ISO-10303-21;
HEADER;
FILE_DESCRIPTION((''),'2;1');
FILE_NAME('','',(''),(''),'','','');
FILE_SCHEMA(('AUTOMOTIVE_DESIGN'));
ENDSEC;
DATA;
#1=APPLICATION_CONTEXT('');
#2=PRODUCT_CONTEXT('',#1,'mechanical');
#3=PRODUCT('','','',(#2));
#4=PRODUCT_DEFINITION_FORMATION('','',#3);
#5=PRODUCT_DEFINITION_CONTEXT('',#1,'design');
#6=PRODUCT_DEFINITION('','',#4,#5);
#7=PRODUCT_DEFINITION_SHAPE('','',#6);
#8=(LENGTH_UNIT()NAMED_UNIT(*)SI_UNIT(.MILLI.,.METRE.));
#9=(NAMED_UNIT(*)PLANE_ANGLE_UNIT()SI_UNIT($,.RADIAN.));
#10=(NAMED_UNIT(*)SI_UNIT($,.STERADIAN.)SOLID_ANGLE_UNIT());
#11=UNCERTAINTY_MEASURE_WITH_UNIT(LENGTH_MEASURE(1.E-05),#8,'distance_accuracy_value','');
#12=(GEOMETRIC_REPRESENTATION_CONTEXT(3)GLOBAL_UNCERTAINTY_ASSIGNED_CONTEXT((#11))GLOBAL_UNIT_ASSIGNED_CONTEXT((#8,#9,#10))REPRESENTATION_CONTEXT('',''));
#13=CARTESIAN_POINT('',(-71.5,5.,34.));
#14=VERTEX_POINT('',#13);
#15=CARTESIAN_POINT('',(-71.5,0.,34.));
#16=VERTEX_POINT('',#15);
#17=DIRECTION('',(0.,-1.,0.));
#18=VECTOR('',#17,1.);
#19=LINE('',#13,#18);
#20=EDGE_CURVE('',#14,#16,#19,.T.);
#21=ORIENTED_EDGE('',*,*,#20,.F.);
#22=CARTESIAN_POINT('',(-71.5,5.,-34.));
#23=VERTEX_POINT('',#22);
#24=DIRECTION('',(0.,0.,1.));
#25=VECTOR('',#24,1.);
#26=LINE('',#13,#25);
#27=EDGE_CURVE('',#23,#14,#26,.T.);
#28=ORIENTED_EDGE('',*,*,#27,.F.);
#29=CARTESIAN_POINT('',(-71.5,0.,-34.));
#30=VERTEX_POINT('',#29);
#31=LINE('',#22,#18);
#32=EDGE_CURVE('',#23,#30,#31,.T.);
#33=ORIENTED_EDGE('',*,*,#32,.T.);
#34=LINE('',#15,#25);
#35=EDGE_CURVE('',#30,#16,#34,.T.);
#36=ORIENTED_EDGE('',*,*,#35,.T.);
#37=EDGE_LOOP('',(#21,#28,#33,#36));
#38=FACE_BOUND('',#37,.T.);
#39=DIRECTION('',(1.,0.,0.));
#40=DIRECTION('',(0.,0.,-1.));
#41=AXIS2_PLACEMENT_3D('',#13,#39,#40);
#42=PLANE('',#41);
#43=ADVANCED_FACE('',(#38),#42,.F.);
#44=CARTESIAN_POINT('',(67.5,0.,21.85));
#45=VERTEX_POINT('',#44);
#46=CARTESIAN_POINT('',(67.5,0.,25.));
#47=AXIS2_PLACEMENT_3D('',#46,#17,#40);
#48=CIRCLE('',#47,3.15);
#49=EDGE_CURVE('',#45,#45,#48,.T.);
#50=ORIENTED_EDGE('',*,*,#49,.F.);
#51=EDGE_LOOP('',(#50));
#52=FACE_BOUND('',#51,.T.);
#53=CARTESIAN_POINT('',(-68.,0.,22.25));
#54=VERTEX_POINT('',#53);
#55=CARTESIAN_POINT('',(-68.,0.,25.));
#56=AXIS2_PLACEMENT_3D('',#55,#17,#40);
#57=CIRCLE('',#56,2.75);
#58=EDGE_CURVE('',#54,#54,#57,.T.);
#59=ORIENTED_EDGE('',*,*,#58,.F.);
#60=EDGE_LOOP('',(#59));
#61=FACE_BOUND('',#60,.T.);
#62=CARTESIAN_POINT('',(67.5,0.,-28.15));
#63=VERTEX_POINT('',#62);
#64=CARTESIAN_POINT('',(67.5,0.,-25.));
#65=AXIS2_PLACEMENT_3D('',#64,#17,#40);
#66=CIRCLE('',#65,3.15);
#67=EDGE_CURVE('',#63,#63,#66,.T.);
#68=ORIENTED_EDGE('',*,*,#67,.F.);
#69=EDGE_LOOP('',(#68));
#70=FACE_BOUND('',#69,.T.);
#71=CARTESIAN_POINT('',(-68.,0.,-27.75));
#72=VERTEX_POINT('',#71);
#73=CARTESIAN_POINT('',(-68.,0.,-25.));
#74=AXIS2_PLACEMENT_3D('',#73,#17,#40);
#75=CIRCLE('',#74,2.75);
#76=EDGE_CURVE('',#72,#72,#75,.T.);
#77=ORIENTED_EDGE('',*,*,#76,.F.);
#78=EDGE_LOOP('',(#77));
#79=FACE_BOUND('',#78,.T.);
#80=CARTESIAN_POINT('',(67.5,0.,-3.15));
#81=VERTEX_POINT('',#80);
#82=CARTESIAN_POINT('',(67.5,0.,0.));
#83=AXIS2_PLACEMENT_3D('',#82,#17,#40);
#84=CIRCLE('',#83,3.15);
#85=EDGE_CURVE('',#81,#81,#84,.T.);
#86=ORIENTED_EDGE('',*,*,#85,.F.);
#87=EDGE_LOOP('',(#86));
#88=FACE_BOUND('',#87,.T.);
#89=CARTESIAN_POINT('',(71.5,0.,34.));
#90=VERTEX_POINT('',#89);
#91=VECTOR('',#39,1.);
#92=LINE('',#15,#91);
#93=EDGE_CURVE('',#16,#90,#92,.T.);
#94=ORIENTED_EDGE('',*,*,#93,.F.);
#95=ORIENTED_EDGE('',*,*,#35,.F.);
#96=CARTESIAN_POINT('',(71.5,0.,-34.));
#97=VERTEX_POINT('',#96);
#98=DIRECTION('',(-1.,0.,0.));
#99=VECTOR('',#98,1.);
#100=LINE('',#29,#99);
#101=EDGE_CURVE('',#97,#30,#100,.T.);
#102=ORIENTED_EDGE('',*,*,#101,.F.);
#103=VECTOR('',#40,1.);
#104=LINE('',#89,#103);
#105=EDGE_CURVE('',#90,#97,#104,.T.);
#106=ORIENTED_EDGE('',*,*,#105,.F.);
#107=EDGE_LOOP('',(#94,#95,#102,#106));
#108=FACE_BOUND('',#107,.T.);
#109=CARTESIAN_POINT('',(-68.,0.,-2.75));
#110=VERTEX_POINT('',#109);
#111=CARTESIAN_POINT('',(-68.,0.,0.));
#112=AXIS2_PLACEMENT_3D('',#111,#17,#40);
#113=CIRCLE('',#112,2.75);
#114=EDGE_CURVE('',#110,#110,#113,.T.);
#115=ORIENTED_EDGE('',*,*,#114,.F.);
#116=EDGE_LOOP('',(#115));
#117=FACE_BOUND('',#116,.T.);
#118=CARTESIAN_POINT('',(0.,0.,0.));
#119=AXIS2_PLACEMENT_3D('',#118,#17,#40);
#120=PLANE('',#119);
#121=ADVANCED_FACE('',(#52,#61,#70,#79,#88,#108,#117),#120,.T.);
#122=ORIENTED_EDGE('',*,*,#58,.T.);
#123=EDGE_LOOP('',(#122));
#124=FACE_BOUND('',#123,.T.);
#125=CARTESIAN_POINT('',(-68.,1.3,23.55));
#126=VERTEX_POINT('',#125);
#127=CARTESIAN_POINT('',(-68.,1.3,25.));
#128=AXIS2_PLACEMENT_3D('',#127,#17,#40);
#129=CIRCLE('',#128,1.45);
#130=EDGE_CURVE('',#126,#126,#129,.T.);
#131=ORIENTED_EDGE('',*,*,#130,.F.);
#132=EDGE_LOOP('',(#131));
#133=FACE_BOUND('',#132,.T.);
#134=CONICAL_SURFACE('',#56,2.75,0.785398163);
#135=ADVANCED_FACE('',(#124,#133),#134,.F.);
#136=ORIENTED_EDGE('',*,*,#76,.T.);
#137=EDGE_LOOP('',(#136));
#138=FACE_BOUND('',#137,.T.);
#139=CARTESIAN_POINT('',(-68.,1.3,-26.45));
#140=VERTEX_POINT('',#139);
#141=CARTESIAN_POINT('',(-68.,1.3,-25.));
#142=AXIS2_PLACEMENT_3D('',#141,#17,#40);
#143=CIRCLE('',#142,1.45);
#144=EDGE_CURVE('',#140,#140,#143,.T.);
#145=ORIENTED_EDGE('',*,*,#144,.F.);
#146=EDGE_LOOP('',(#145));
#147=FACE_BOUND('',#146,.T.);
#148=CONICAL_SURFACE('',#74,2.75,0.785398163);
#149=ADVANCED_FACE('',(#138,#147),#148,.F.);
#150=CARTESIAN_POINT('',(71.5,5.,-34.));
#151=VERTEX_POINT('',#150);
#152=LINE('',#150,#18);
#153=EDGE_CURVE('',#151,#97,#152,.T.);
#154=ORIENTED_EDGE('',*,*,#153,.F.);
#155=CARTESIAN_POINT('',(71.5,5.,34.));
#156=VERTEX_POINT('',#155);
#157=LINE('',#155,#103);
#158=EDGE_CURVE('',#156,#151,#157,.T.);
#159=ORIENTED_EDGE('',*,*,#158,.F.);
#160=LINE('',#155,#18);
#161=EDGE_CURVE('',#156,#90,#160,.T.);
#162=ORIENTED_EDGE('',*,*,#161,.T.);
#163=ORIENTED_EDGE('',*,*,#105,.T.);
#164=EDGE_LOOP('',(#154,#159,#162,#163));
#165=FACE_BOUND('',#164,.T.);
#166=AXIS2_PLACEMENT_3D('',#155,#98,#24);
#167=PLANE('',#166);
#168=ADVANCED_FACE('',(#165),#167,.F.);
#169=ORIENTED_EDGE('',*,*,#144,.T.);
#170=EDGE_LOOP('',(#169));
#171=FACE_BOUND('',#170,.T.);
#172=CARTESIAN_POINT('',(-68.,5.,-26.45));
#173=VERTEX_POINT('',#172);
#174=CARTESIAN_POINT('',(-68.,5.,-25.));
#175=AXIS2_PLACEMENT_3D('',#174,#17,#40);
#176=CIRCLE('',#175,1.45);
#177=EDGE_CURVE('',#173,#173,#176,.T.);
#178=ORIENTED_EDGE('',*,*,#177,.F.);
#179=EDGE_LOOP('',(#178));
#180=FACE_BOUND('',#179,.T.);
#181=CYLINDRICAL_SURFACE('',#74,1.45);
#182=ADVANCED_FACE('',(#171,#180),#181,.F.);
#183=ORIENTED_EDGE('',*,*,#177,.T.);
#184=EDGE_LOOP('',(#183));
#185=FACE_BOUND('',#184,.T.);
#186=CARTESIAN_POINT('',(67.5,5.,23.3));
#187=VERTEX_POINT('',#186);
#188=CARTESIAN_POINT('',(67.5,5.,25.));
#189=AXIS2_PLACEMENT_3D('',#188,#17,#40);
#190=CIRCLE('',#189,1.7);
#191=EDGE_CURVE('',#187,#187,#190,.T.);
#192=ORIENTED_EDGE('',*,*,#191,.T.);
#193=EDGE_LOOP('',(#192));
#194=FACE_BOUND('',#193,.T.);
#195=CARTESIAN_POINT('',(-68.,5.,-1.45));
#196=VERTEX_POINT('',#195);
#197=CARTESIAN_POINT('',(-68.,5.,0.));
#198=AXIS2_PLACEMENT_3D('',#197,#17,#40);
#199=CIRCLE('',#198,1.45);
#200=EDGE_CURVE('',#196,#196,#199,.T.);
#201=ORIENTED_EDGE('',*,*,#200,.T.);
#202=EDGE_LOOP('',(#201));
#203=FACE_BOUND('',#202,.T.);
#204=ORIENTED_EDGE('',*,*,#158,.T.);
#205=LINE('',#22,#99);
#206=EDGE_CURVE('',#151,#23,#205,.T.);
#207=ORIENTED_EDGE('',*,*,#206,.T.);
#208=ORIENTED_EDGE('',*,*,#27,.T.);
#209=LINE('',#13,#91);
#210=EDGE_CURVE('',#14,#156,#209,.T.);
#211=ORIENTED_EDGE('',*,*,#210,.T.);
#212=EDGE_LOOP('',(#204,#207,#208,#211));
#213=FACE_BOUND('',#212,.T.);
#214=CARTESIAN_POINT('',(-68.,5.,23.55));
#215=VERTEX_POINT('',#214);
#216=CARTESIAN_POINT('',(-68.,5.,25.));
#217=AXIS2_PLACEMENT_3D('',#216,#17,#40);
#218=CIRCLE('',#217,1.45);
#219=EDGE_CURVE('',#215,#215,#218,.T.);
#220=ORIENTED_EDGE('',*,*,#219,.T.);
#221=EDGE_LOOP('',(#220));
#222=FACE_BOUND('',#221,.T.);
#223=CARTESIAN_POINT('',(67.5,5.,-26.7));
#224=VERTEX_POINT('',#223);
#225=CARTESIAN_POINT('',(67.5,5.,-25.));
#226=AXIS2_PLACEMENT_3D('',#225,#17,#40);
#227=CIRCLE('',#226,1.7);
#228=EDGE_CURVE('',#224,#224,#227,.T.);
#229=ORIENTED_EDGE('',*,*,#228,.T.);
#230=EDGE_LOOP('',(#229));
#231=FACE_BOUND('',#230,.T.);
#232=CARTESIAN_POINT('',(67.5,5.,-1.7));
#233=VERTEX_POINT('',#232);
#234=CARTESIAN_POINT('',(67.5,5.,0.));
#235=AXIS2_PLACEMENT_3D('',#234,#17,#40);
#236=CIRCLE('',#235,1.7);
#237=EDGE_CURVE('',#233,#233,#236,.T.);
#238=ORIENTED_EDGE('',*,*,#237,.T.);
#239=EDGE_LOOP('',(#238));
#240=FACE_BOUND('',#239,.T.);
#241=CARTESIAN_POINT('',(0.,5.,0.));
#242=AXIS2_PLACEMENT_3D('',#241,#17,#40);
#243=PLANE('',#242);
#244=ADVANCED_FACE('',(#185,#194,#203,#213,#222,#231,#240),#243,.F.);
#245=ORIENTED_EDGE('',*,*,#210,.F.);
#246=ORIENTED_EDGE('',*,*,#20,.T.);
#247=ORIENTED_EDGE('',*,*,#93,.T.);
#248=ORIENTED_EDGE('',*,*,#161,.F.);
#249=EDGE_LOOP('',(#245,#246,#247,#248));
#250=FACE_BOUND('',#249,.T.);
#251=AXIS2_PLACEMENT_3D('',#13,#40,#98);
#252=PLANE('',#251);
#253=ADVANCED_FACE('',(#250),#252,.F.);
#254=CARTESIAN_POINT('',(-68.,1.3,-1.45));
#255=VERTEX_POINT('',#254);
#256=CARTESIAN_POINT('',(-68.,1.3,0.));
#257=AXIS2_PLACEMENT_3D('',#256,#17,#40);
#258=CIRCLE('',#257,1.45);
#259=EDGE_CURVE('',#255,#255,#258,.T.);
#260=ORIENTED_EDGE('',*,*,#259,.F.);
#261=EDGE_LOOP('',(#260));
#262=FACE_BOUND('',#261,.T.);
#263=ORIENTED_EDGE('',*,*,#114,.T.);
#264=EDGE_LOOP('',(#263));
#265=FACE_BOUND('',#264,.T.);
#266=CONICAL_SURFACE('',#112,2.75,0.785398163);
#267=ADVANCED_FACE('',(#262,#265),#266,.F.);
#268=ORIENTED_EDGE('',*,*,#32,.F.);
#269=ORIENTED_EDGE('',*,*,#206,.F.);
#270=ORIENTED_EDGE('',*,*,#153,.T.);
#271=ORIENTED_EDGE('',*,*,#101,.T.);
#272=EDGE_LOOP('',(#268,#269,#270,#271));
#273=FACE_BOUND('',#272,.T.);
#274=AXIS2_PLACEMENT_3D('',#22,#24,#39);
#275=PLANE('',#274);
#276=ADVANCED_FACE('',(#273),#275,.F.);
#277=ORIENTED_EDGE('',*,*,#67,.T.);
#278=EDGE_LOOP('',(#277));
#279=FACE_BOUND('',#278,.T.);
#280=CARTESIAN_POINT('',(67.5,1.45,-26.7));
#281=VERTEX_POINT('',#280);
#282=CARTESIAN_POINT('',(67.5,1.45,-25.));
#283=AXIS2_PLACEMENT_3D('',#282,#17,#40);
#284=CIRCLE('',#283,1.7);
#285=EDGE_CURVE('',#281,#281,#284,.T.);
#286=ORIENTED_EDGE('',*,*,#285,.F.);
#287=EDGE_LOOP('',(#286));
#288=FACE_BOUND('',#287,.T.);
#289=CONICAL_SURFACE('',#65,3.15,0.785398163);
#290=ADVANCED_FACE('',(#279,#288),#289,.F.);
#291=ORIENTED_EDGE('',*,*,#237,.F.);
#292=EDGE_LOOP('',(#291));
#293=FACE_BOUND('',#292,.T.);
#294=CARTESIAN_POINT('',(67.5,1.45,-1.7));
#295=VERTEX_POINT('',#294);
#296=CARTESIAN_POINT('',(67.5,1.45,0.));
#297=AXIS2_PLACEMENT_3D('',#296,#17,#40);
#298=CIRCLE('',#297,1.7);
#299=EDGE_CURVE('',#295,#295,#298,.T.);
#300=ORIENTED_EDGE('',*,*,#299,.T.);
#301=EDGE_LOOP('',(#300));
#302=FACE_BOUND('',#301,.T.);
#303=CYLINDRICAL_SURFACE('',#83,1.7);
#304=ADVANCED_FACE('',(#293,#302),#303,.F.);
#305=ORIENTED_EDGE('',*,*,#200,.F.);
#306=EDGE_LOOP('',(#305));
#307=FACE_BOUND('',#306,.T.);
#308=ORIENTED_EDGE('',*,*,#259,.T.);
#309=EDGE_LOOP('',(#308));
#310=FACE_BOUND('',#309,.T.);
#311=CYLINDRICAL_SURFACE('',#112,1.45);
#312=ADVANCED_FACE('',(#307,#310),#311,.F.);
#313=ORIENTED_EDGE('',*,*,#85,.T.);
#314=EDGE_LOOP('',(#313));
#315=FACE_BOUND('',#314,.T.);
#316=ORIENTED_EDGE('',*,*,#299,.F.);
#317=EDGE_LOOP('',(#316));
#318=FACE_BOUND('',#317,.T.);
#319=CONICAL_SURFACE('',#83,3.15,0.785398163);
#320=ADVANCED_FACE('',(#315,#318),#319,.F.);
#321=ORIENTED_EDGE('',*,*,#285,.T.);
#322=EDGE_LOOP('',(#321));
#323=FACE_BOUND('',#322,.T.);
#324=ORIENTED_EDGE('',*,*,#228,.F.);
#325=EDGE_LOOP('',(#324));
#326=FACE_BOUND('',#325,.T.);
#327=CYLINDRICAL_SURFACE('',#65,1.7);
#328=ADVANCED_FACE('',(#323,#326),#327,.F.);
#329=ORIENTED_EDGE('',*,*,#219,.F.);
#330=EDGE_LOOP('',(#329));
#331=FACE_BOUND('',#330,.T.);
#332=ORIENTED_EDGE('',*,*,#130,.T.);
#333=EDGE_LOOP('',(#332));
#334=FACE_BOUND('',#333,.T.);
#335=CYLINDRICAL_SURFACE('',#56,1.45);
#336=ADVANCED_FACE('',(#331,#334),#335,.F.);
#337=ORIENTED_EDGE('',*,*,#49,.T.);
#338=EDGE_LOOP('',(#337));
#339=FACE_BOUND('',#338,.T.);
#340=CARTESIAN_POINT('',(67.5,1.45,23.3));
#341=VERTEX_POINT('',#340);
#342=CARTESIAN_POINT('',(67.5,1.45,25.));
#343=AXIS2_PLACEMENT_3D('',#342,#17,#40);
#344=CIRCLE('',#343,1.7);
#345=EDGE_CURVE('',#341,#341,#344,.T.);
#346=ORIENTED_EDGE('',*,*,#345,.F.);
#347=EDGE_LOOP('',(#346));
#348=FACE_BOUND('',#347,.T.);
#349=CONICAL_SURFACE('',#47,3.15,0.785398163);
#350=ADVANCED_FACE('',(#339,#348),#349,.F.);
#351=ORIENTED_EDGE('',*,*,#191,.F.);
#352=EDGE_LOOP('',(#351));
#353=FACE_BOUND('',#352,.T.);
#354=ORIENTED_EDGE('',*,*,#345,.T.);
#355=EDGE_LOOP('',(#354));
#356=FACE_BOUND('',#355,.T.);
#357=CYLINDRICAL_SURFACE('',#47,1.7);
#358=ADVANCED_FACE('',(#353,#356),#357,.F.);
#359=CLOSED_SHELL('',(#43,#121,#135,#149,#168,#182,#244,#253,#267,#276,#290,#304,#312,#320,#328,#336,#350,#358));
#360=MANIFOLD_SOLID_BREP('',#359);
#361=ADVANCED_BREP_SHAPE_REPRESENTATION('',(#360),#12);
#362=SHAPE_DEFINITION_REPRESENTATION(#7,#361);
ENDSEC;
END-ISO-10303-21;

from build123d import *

# Parameters (mm, degrees)
SKETCH_1_W                     = 143
SKETCH_1_H                     = 68
EXTRUDE_1_DEPTH                = 5
HOLE_WIZARD_M2_5_1_D           = 2.9
HOLE_WIZARD_M2_5_1_CSINK_D     = 5.5
HOLE_WIZARD_M2_5_1_CSINK_ANGLE = 90
HOLE_WIZARD_M3_1_D             = 3.4
HOLE_WIZARD_M3_1_CSINK_D       = 6.3
HOLE_WIZARD_M3_1_CSINK_ANGLE   = 90


with BuildPart() as part:
    # 草圖1 → 填料-伸長1 (new body)
    with BuildSketch(Plane(origin=(0, 0, 0), x_dir=(1, 0, 0), z_dir=(0, 1, 0))):
        Rectangle(SKETCH_1_W, SKETCH_1_H)
    extrude(amount=EXTRUDE_1_DEPTH)

    # M2.5 錐坑平頭螺釘的錐孔1 (through all)
    with Locations(Plane(origin=(0, 0, 0), x_dir=(-1, 0, 0), z_dir=(0, -1, 0))):
        with Locations((68, 25), (68, 0), (68, -25)):
            CounterSinkHole(HOLE_WIZARD_M2_5_1_D / 2, HOLE_WIZARD_M2_5_1_CSINK_D / 2, counter_sink_angle=HOLE_WIZARD_M2_5_1_CSINK_ANGLE)

    # M3 錐坑平頭螺釘的錐孔1 (through all)
    with Locations(Plane(origin=(0, 0, 0), x_dir=(-1, 0, 0), z_dir=(0, -1, 0))):
        with Locations((-67.5, 25), (-67.5, 0), (-67.5, -25)):
            CounterSinkHole(HOLE_WIZARD_M3_1_D / 2, HOLE_WIZARD_M3_1_CSINK_D / 2, counter_sink_angle=HOLE_WIZARD_M3_1_CSINK_ANGLE)


solid = part.part
